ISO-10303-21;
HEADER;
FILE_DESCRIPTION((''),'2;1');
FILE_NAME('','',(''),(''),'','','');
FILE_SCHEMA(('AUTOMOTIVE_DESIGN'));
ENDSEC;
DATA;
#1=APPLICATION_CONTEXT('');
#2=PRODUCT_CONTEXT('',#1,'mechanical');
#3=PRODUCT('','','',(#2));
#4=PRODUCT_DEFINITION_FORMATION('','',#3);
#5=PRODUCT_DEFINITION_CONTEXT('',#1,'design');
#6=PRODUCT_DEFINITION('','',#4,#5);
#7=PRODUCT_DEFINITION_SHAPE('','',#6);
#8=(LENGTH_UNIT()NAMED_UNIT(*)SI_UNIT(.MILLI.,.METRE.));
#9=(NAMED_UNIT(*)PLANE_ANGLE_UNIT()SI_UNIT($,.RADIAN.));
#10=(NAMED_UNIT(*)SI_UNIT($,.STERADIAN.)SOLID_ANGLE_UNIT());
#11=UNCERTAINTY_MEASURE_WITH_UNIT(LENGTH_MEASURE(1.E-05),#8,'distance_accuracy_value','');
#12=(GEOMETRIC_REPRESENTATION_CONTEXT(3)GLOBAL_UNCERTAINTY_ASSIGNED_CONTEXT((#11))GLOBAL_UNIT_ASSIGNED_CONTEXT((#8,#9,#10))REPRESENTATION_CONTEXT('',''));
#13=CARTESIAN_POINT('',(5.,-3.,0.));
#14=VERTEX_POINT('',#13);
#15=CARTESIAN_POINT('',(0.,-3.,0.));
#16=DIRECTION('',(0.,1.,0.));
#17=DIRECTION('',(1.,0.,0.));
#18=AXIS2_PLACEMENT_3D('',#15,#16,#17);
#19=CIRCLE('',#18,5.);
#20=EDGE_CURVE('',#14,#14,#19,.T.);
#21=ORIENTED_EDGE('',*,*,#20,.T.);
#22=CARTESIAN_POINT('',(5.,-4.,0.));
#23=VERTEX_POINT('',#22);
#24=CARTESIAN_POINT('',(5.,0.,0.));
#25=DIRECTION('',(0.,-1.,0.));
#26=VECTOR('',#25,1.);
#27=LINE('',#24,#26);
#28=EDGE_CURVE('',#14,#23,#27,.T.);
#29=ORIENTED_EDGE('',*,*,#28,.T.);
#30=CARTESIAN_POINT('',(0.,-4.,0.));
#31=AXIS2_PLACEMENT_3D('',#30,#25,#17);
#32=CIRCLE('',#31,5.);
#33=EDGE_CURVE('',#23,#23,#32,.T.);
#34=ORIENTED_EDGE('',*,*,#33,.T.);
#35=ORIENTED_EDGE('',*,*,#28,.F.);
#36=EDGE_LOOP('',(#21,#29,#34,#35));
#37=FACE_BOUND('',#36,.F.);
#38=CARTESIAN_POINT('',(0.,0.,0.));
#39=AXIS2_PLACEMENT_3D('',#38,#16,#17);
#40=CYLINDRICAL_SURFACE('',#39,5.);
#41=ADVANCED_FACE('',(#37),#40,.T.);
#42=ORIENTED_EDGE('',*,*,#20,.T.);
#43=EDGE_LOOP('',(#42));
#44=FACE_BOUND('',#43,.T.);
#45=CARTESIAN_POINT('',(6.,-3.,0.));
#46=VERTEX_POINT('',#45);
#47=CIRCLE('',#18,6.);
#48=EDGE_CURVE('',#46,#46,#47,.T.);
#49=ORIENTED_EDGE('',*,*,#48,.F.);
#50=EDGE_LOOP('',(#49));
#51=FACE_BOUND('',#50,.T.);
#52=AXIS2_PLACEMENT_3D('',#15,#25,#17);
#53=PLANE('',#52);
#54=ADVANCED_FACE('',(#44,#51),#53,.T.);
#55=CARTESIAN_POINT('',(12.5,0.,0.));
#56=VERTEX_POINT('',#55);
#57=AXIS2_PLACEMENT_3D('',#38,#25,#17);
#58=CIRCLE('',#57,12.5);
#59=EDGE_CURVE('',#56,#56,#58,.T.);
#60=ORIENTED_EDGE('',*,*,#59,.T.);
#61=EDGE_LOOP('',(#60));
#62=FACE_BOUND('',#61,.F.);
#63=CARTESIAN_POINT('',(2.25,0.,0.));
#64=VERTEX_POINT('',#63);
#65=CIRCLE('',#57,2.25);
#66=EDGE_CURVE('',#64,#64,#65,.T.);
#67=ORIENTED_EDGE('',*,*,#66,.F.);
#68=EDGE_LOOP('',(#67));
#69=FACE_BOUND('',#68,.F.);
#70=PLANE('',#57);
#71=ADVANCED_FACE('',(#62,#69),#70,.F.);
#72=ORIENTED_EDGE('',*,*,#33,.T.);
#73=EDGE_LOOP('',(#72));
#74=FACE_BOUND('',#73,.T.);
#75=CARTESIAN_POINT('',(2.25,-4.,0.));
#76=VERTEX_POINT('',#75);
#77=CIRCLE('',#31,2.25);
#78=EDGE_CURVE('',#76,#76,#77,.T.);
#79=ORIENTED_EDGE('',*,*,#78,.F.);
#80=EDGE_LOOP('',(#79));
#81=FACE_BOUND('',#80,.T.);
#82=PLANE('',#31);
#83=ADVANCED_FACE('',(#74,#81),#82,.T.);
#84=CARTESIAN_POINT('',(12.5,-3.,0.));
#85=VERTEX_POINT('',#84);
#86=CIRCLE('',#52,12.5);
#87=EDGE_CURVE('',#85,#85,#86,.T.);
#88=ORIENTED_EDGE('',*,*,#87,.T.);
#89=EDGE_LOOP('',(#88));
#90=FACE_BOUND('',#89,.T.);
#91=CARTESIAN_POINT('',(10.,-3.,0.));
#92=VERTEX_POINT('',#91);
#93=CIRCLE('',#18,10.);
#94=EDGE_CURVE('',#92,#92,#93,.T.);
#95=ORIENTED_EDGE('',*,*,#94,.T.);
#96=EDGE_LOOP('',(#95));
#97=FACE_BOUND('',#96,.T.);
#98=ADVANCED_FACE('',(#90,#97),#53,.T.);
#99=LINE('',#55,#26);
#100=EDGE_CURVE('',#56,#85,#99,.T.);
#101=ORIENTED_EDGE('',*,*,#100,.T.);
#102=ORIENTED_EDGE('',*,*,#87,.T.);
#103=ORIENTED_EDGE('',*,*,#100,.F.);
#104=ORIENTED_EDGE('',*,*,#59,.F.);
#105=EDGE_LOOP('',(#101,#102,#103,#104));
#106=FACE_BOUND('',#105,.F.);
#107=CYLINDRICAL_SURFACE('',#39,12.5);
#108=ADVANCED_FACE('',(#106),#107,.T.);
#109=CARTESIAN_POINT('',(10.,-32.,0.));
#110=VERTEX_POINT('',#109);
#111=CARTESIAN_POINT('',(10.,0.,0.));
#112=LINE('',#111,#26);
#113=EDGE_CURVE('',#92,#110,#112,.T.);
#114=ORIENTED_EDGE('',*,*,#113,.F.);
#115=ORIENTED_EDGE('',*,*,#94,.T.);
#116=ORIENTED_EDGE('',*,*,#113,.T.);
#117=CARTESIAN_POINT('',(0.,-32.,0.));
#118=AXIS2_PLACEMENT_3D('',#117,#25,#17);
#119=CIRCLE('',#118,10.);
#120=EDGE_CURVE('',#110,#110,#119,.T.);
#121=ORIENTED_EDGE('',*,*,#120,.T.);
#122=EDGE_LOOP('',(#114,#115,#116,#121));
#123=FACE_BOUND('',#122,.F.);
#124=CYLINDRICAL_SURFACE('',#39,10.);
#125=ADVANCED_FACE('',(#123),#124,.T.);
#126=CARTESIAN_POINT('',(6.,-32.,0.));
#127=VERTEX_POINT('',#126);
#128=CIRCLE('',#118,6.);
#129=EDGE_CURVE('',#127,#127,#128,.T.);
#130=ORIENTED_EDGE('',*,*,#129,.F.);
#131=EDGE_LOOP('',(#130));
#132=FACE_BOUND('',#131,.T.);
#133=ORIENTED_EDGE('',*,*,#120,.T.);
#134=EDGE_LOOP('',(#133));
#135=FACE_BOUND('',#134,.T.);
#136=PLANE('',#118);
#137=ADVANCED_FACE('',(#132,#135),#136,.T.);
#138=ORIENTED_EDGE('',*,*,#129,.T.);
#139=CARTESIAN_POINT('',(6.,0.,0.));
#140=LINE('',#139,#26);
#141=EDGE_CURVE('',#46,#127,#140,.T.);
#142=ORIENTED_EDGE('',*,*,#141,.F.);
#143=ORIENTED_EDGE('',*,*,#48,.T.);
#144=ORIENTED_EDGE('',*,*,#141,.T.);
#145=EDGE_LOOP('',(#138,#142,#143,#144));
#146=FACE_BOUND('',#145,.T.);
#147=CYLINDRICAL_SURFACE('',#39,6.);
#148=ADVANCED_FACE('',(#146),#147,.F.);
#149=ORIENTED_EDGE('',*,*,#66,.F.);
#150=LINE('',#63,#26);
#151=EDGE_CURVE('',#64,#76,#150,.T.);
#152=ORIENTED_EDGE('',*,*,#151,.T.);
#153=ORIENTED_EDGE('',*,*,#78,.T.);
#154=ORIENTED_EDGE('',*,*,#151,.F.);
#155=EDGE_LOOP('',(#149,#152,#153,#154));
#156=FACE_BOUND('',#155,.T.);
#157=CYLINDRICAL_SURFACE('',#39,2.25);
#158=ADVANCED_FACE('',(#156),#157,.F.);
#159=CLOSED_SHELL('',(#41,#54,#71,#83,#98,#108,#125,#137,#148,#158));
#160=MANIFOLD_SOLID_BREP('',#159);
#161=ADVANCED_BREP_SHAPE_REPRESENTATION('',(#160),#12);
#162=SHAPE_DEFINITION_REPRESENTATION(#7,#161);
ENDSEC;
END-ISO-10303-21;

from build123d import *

# Parameters (mm, degrees)
F0_R     = 12.5
F0_R_2   = 10
F0_R_3   = 6
F0_R_4   = 5
F0_R_5   = 2.25
F1_DEPTH = 3
F2_DEPTH = 4
F3_DEPTH = 32


with BuildPart() as f1:
    # F0 (on Front) → F1 (new body)
    with BuildSketch(Plane.XZ):
        Circle(F0_R)
        Circle(F0_R_2, mode=Mode.SUBTRACT)
        Circle(F0_R_2)
        Circle(F0_R_3, mode=Mode.SUBTRACT)
        Circle(F0_R_3)
        Circle(F0_R_4, mode=Mode.SUBTRACT)
        Circle(F0_R_4)
        Circle(F0_R_5, mode=Mode.SUBTRACT)
    extrude(amount=F1_DEPTH)

    # F0 (on Front) → F2 (join)
    with BuildSketch(Plane.XZ):
        Circle(F0_R_4)
        Circle(F0_R_5, mode=Mode.SUBTRACT)
    extrude(amount=F2_DEPTH)

    # F0 (on Front) → F3 (join)
    with BuildSketch(Plane.XZ):
        Circle(F0_R_2)
        Circle(F0_R_3, mode=Mode.SUBTRACT)
    extrude(amount=F3_DEPTH)


solid = f1.part
